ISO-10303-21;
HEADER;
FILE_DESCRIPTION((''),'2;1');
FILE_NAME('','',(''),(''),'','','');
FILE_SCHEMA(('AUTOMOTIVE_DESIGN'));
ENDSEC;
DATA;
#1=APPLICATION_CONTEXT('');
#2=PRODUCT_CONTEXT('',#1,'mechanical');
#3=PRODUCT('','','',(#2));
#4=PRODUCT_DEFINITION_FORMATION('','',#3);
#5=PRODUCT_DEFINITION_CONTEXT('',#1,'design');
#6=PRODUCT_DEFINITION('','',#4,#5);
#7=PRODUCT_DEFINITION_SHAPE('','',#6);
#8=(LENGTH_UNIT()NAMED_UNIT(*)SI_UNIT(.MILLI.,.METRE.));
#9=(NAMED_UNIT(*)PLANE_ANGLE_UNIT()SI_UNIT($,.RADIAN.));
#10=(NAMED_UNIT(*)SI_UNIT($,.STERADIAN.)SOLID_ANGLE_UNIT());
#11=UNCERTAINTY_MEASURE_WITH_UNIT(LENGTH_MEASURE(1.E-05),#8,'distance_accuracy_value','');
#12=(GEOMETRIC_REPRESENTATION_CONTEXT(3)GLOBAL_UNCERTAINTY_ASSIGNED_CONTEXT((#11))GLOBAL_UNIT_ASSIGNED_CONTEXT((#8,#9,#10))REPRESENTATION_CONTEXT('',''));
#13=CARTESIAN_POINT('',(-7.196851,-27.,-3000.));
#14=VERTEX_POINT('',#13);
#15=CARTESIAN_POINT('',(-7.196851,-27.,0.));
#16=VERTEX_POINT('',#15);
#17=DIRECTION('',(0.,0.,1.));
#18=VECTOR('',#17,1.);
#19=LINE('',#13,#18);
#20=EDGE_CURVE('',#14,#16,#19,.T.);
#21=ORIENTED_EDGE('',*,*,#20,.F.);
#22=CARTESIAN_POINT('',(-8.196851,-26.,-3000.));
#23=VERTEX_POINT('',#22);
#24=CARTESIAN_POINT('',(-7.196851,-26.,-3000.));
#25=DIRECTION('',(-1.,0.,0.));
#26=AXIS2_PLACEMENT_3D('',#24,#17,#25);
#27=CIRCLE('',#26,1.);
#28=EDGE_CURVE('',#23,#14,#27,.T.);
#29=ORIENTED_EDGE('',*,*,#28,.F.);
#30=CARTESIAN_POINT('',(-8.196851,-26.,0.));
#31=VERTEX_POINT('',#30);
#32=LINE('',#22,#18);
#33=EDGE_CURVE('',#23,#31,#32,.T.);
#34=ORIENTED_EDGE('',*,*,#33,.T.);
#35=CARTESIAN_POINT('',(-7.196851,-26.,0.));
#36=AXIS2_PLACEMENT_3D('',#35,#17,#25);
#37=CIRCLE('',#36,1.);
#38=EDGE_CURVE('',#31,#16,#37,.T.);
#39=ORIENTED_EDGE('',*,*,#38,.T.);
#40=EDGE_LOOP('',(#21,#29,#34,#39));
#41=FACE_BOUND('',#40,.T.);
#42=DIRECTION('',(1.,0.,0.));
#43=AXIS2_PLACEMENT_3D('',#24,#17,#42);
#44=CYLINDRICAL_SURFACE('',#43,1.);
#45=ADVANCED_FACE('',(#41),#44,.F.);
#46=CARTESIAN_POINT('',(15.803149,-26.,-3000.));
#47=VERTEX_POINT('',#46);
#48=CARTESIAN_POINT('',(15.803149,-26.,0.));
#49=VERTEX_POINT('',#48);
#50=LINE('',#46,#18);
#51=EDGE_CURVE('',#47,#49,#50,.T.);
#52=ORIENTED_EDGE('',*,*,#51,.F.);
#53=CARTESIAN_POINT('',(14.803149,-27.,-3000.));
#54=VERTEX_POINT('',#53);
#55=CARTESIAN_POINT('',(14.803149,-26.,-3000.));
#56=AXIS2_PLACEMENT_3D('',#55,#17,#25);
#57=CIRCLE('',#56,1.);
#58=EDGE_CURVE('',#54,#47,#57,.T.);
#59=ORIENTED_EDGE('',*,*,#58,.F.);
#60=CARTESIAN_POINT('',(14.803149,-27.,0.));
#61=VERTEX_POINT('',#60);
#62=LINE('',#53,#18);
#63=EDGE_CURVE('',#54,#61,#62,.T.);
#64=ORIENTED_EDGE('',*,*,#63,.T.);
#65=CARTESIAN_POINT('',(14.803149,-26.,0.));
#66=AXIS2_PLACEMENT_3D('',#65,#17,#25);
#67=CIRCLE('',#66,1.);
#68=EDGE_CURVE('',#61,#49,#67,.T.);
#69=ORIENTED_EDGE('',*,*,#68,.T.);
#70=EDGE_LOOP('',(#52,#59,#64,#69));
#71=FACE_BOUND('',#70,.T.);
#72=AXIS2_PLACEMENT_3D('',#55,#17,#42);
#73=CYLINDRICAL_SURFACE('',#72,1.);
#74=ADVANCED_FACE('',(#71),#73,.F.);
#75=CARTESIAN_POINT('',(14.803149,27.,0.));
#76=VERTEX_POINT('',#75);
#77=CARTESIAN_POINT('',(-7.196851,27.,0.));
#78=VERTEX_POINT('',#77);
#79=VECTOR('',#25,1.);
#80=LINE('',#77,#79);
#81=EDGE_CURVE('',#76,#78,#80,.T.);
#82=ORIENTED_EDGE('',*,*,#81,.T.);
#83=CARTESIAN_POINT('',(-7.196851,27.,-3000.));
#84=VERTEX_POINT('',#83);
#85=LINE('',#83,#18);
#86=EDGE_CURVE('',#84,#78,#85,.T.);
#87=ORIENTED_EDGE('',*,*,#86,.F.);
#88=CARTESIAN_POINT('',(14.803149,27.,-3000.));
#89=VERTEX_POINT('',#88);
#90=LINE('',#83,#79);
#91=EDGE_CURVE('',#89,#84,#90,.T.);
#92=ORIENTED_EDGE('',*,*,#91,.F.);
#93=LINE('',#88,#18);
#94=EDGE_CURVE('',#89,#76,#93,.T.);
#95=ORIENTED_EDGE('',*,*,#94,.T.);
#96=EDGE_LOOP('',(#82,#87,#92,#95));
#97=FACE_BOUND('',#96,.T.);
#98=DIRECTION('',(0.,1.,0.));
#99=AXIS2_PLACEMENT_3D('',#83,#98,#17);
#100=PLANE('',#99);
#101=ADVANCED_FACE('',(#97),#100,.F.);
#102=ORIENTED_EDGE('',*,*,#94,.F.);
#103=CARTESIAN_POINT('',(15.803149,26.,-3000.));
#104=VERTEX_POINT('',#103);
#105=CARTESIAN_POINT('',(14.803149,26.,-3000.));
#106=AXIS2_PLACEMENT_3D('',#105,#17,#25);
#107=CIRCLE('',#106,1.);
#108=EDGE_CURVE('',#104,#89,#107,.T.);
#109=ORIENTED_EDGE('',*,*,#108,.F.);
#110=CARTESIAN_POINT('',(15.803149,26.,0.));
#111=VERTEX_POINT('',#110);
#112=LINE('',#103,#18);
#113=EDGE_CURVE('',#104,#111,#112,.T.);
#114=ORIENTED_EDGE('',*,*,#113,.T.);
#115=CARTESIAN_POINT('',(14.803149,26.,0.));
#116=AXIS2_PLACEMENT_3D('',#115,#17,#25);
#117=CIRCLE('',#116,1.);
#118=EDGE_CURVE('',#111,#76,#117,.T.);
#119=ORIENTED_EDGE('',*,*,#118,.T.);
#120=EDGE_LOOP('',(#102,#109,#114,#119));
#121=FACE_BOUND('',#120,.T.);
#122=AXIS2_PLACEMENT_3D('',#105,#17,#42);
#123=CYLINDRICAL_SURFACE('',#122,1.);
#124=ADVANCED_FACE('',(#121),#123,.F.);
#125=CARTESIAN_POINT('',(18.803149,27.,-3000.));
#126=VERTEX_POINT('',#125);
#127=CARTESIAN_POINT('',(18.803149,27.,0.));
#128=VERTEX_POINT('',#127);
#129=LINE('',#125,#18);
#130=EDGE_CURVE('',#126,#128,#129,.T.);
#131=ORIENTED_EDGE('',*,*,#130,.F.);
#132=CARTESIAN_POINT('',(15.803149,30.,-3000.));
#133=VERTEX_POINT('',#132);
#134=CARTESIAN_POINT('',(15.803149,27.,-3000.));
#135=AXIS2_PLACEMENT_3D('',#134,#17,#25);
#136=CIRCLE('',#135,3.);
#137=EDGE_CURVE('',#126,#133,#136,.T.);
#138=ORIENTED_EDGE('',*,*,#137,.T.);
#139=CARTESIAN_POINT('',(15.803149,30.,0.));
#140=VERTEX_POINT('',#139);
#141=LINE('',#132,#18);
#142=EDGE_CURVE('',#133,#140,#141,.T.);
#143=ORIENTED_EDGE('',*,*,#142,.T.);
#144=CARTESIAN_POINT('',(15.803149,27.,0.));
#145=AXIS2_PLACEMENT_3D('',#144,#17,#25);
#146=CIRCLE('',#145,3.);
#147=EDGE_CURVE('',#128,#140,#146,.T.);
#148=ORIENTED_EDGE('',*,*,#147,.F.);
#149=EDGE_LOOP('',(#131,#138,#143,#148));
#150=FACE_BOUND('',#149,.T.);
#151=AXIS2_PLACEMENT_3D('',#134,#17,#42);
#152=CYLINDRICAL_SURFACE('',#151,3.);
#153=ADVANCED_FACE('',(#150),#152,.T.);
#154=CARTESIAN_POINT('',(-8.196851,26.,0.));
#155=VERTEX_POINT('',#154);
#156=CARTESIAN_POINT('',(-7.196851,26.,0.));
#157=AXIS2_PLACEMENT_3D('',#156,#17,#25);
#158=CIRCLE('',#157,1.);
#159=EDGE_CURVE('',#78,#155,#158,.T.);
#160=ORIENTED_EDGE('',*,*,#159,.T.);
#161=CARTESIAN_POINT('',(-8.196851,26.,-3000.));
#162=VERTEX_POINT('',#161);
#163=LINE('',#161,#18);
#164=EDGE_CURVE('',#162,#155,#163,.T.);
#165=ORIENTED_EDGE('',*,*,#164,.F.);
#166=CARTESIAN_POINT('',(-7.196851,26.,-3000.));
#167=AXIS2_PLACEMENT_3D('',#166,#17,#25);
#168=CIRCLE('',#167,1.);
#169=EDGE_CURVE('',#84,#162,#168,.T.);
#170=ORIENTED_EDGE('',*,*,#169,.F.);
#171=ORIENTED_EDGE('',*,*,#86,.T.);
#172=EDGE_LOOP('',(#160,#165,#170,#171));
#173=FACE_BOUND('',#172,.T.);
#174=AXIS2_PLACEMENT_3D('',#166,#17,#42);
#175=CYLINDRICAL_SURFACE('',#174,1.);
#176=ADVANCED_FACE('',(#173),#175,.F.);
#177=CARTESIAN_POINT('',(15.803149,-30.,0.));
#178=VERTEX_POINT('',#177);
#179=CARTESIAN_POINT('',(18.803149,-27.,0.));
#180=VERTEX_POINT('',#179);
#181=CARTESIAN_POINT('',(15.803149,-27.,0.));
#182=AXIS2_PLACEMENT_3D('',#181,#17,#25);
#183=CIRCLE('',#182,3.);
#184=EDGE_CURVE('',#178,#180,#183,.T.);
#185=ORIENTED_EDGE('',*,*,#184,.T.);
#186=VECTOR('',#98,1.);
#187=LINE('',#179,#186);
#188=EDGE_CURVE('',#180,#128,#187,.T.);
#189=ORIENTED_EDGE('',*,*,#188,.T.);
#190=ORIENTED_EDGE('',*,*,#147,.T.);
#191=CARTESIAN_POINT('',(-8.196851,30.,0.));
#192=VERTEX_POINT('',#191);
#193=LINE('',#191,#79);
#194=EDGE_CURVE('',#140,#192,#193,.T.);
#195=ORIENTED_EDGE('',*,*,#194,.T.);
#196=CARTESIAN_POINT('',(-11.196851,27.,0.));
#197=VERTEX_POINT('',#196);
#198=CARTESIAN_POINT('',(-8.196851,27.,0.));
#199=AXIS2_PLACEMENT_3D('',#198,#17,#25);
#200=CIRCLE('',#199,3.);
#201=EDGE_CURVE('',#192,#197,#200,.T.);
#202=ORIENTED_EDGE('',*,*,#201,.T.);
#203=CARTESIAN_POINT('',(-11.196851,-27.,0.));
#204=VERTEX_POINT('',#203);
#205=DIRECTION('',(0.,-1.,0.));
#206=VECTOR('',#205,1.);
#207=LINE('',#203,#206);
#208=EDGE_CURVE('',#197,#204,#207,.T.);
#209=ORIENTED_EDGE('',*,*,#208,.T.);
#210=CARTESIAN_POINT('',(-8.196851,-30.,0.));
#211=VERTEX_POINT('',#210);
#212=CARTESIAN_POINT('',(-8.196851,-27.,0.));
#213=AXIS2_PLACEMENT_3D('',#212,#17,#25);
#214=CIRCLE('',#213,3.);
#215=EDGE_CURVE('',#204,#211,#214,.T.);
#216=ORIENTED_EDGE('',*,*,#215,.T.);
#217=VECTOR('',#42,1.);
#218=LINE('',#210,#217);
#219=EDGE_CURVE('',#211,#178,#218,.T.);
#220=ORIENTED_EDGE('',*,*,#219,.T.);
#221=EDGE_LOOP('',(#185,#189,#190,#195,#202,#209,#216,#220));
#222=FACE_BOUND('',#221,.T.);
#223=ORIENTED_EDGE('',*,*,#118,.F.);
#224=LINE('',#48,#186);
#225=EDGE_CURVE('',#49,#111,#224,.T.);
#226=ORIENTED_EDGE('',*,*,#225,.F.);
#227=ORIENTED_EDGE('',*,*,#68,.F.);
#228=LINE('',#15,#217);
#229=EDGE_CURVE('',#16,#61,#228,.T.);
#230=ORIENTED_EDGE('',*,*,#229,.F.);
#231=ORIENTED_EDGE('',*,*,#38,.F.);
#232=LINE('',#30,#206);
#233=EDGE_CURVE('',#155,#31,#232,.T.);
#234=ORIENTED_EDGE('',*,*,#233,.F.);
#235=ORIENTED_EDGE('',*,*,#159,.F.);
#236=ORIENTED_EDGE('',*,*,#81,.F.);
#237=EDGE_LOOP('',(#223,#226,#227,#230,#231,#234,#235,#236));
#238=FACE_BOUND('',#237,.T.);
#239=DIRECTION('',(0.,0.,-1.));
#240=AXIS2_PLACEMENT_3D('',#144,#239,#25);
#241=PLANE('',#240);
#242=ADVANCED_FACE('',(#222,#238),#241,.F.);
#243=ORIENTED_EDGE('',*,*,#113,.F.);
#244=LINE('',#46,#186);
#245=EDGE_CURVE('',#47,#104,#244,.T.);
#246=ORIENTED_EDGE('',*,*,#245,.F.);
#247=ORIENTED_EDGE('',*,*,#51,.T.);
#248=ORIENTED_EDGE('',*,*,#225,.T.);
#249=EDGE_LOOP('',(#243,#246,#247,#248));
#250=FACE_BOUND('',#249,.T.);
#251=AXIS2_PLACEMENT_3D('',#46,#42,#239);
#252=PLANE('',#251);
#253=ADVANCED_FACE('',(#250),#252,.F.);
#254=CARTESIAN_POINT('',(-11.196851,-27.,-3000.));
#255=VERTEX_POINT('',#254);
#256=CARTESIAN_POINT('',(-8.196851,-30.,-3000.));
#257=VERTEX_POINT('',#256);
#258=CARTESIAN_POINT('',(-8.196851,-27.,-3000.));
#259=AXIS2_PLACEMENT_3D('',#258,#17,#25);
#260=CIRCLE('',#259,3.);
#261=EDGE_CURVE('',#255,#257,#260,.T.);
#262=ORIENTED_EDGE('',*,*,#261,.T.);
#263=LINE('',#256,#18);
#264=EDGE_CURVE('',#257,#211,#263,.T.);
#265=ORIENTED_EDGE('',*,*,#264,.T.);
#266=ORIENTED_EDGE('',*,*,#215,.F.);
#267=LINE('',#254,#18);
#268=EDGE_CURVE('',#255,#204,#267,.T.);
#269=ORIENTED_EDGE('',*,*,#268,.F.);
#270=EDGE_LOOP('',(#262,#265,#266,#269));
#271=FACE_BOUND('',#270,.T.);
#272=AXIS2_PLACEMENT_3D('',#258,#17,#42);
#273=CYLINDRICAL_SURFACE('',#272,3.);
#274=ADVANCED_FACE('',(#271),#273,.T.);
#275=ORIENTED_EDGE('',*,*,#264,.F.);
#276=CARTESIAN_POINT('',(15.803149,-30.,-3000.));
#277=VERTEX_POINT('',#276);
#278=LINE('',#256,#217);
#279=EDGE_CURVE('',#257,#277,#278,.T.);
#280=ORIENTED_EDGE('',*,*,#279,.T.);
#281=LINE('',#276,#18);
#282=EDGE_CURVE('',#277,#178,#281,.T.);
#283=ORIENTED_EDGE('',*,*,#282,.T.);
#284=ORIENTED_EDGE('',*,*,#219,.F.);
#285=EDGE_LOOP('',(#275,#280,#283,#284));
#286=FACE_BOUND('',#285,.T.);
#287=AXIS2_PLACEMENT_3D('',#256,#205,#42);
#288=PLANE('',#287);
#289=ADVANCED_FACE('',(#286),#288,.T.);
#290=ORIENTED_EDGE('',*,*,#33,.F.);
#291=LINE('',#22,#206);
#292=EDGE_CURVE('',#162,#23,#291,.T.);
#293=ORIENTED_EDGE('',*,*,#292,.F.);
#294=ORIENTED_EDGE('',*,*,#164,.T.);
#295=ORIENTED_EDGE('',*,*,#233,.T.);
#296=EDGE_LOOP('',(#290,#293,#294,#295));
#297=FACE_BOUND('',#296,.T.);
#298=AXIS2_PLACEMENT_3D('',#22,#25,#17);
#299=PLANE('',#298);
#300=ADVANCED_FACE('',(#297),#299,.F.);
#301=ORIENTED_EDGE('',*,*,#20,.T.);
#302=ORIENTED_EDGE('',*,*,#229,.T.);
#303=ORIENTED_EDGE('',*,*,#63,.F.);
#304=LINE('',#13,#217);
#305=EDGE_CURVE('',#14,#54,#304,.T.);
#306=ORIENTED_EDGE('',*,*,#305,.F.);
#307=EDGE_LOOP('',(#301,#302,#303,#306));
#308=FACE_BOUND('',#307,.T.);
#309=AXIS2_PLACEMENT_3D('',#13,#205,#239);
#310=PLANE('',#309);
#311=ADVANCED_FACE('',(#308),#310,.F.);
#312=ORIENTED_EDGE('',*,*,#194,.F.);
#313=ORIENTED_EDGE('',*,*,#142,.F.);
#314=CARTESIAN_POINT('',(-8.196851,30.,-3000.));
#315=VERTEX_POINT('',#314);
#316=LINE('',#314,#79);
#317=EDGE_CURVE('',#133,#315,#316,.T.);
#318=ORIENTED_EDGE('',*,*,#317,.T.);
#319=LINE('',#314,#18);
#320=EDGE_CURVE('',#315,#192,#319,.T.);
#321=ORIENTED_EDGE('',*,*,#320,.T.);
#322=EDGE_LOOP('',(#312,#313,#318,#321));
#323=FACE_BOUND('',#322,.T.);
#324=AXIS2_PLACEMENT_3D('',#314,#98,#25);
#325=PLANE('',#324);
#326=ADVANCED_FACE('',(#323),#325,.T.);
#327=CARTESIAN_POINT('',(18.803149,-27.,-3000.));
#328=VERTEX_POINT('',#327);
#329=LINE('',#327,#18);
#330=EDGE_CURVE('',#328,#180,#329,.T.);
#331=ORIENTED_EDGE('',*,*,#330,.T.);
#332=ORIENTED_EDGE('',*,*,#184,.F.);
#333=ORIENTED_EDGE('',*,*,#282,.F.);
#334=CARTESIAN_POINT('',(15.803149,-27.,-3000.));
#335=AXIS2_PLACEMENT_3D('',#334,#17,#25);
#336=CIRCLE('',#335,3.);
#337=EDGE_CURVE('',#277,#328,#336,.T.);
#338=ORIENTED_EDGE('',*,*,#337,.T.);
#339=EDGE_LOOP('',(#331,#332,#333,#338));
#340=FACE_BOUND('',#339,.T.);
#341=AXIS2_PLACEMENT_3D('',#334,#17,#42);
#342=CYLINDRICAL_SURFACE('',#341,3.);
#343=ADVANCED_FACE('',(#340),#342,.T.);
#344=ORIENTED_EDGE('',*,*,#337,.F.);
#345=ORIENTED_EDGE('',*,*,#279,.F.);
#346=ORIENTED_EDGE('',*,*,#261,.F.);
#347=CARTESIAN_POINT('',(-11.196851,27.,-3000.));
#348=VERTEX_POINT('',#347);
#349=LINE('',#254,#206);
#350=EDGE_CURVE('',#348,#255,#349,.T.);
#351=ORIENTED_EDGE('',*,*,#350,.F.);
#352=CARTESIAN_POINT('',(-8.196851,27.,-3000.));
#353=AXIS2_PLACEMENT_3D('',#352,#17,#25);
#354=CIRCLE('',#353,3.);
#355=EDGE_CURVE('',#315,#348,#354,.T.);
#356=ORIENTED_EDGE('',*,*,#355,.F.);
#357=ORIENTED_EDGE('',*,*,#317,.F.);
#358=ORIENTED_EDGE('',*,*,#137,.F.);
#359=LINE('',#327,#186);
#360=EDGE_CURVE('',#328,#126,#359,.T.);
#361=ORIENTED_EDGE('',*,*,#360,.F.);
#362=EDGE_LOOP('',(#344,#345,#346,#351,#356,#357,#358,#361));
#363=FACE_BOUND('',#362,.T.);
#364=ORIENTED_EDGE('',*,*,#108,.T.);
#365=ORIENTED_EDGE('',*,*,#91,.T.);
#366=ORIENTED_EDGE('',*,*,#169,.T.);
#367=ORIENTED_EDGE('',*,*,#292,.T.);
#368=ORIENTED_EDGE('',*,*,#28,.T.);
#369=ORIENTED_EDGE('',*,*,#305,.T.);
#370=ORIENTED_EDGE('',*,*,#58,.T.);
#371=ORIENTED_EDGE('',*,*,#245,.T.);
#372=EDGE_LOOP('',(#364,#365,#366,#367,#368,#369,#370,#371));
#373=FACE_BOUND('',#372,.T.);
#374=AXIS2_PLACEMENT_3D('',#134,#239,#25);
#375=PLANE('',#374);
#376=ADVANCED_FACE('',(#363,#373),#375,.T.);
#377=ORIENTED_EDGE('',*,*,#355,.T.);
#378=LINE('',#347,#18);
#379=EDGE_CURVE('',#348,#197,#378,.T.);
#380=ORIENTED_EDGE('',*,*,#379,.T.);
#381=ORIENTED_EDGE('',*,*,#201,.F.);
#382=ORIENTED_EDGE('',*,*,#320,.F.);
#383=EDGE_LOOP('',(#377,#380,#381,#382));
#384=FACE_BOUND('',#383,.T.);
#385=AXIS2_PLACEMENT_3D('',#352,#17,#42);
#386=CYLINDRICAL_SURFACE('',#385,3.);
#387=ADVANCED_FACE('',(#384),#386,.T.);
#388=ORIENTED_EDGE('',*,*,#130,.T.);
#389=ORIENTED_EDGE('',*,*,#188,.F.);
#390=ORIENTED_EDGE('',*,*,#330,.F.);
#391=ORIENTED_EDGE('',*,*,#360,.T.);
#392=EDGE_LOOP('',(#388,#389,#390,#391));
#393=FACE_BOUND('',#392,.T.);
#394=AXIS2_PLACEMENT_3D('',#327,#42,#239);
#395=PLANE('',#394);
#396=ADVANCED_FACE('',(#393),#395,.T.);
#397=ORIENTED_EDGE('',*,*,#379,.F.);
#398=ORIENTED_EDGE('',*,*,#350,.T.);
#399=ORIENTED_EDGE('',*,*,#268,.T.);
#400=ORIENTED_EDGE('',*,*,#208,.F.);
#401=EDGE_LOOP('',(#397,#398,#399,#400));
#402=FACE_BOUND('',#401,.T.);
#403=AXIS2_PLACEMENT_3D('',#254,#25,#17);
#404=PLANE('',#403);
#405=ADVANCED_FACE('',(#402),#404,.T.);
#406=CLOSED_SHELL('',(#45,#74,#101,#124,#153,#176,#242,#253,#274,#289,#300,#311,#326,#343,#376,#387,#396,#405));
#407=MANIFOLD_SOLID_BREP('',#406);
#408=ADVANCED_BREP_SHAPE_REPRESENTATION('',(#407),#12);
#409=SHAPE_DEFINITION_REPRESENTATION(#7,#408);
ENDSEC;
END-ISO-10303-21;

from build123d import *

# Parameters (mm, degrees)
DODANIE_WYCI_GNI_CIE1_DEPTH = 3000


with BuildPart() as part:
    # Szkic1 → Dodanie-wyciągnięcie1 (new body)
    with BuildSketch(Plane.XY):
        with BuildLine():
            Line((-8.196850851, -30), (15.803149149, -30))
            ThreePointArc((15.803149149, -30), (17.924469493, -29.121320344), (18.803149149, -27))
            Line((18.803149149, -27), (18.803149149, 27))
            ThreePointArc((18.803149149, 27), (17.924469493, 29.121320344), (15.803149149, 30))
            Line((15.803149149, 30), (-8.196850851, 30))
            ThreePointArc((-8.196850851, 30), (-10.318171195, 29.121320344), (-11.196850851, 27))
            Line((-11.196850851, 27), (-11.196850851, -27))
            ThreePointArc((-11.196850851, -27), (-10.318171195, -29.121320344), (-8.196850851, -30))
        make_face()
        with BuildLine():
            Line((-7.196850851, 27), (14.803149149, 27))
            ThreePointArc((14.803149149, 27), (15.51025593, 26.707106781), (15.803149149, 26))
            Line((15.803149149, 26), (15.803149149, -26))
            ThreePointArc((15.803149149, -26), (15.51025593, -26.707106781), (14.803149149, -27))
            Line((14.803149149, -27), (-7.196850851, -27))
            ThreePointArc((-7.196850851, -27), (-7.903957632, -26.707106781), (-8.196850851, -26))
            Line((-8.196850851, -26), (-8.196850851, 26))
            ThreePointArc((-8.196850851, 26), (-7.903957632, 26.707106781), (-7.196850851, 27))
        make_face(mode=Mode.SUBTRACT)
    extrude(amount=-DODANIE_WYCI_GNI_CIE1_DEPTH)


solid = part.part
